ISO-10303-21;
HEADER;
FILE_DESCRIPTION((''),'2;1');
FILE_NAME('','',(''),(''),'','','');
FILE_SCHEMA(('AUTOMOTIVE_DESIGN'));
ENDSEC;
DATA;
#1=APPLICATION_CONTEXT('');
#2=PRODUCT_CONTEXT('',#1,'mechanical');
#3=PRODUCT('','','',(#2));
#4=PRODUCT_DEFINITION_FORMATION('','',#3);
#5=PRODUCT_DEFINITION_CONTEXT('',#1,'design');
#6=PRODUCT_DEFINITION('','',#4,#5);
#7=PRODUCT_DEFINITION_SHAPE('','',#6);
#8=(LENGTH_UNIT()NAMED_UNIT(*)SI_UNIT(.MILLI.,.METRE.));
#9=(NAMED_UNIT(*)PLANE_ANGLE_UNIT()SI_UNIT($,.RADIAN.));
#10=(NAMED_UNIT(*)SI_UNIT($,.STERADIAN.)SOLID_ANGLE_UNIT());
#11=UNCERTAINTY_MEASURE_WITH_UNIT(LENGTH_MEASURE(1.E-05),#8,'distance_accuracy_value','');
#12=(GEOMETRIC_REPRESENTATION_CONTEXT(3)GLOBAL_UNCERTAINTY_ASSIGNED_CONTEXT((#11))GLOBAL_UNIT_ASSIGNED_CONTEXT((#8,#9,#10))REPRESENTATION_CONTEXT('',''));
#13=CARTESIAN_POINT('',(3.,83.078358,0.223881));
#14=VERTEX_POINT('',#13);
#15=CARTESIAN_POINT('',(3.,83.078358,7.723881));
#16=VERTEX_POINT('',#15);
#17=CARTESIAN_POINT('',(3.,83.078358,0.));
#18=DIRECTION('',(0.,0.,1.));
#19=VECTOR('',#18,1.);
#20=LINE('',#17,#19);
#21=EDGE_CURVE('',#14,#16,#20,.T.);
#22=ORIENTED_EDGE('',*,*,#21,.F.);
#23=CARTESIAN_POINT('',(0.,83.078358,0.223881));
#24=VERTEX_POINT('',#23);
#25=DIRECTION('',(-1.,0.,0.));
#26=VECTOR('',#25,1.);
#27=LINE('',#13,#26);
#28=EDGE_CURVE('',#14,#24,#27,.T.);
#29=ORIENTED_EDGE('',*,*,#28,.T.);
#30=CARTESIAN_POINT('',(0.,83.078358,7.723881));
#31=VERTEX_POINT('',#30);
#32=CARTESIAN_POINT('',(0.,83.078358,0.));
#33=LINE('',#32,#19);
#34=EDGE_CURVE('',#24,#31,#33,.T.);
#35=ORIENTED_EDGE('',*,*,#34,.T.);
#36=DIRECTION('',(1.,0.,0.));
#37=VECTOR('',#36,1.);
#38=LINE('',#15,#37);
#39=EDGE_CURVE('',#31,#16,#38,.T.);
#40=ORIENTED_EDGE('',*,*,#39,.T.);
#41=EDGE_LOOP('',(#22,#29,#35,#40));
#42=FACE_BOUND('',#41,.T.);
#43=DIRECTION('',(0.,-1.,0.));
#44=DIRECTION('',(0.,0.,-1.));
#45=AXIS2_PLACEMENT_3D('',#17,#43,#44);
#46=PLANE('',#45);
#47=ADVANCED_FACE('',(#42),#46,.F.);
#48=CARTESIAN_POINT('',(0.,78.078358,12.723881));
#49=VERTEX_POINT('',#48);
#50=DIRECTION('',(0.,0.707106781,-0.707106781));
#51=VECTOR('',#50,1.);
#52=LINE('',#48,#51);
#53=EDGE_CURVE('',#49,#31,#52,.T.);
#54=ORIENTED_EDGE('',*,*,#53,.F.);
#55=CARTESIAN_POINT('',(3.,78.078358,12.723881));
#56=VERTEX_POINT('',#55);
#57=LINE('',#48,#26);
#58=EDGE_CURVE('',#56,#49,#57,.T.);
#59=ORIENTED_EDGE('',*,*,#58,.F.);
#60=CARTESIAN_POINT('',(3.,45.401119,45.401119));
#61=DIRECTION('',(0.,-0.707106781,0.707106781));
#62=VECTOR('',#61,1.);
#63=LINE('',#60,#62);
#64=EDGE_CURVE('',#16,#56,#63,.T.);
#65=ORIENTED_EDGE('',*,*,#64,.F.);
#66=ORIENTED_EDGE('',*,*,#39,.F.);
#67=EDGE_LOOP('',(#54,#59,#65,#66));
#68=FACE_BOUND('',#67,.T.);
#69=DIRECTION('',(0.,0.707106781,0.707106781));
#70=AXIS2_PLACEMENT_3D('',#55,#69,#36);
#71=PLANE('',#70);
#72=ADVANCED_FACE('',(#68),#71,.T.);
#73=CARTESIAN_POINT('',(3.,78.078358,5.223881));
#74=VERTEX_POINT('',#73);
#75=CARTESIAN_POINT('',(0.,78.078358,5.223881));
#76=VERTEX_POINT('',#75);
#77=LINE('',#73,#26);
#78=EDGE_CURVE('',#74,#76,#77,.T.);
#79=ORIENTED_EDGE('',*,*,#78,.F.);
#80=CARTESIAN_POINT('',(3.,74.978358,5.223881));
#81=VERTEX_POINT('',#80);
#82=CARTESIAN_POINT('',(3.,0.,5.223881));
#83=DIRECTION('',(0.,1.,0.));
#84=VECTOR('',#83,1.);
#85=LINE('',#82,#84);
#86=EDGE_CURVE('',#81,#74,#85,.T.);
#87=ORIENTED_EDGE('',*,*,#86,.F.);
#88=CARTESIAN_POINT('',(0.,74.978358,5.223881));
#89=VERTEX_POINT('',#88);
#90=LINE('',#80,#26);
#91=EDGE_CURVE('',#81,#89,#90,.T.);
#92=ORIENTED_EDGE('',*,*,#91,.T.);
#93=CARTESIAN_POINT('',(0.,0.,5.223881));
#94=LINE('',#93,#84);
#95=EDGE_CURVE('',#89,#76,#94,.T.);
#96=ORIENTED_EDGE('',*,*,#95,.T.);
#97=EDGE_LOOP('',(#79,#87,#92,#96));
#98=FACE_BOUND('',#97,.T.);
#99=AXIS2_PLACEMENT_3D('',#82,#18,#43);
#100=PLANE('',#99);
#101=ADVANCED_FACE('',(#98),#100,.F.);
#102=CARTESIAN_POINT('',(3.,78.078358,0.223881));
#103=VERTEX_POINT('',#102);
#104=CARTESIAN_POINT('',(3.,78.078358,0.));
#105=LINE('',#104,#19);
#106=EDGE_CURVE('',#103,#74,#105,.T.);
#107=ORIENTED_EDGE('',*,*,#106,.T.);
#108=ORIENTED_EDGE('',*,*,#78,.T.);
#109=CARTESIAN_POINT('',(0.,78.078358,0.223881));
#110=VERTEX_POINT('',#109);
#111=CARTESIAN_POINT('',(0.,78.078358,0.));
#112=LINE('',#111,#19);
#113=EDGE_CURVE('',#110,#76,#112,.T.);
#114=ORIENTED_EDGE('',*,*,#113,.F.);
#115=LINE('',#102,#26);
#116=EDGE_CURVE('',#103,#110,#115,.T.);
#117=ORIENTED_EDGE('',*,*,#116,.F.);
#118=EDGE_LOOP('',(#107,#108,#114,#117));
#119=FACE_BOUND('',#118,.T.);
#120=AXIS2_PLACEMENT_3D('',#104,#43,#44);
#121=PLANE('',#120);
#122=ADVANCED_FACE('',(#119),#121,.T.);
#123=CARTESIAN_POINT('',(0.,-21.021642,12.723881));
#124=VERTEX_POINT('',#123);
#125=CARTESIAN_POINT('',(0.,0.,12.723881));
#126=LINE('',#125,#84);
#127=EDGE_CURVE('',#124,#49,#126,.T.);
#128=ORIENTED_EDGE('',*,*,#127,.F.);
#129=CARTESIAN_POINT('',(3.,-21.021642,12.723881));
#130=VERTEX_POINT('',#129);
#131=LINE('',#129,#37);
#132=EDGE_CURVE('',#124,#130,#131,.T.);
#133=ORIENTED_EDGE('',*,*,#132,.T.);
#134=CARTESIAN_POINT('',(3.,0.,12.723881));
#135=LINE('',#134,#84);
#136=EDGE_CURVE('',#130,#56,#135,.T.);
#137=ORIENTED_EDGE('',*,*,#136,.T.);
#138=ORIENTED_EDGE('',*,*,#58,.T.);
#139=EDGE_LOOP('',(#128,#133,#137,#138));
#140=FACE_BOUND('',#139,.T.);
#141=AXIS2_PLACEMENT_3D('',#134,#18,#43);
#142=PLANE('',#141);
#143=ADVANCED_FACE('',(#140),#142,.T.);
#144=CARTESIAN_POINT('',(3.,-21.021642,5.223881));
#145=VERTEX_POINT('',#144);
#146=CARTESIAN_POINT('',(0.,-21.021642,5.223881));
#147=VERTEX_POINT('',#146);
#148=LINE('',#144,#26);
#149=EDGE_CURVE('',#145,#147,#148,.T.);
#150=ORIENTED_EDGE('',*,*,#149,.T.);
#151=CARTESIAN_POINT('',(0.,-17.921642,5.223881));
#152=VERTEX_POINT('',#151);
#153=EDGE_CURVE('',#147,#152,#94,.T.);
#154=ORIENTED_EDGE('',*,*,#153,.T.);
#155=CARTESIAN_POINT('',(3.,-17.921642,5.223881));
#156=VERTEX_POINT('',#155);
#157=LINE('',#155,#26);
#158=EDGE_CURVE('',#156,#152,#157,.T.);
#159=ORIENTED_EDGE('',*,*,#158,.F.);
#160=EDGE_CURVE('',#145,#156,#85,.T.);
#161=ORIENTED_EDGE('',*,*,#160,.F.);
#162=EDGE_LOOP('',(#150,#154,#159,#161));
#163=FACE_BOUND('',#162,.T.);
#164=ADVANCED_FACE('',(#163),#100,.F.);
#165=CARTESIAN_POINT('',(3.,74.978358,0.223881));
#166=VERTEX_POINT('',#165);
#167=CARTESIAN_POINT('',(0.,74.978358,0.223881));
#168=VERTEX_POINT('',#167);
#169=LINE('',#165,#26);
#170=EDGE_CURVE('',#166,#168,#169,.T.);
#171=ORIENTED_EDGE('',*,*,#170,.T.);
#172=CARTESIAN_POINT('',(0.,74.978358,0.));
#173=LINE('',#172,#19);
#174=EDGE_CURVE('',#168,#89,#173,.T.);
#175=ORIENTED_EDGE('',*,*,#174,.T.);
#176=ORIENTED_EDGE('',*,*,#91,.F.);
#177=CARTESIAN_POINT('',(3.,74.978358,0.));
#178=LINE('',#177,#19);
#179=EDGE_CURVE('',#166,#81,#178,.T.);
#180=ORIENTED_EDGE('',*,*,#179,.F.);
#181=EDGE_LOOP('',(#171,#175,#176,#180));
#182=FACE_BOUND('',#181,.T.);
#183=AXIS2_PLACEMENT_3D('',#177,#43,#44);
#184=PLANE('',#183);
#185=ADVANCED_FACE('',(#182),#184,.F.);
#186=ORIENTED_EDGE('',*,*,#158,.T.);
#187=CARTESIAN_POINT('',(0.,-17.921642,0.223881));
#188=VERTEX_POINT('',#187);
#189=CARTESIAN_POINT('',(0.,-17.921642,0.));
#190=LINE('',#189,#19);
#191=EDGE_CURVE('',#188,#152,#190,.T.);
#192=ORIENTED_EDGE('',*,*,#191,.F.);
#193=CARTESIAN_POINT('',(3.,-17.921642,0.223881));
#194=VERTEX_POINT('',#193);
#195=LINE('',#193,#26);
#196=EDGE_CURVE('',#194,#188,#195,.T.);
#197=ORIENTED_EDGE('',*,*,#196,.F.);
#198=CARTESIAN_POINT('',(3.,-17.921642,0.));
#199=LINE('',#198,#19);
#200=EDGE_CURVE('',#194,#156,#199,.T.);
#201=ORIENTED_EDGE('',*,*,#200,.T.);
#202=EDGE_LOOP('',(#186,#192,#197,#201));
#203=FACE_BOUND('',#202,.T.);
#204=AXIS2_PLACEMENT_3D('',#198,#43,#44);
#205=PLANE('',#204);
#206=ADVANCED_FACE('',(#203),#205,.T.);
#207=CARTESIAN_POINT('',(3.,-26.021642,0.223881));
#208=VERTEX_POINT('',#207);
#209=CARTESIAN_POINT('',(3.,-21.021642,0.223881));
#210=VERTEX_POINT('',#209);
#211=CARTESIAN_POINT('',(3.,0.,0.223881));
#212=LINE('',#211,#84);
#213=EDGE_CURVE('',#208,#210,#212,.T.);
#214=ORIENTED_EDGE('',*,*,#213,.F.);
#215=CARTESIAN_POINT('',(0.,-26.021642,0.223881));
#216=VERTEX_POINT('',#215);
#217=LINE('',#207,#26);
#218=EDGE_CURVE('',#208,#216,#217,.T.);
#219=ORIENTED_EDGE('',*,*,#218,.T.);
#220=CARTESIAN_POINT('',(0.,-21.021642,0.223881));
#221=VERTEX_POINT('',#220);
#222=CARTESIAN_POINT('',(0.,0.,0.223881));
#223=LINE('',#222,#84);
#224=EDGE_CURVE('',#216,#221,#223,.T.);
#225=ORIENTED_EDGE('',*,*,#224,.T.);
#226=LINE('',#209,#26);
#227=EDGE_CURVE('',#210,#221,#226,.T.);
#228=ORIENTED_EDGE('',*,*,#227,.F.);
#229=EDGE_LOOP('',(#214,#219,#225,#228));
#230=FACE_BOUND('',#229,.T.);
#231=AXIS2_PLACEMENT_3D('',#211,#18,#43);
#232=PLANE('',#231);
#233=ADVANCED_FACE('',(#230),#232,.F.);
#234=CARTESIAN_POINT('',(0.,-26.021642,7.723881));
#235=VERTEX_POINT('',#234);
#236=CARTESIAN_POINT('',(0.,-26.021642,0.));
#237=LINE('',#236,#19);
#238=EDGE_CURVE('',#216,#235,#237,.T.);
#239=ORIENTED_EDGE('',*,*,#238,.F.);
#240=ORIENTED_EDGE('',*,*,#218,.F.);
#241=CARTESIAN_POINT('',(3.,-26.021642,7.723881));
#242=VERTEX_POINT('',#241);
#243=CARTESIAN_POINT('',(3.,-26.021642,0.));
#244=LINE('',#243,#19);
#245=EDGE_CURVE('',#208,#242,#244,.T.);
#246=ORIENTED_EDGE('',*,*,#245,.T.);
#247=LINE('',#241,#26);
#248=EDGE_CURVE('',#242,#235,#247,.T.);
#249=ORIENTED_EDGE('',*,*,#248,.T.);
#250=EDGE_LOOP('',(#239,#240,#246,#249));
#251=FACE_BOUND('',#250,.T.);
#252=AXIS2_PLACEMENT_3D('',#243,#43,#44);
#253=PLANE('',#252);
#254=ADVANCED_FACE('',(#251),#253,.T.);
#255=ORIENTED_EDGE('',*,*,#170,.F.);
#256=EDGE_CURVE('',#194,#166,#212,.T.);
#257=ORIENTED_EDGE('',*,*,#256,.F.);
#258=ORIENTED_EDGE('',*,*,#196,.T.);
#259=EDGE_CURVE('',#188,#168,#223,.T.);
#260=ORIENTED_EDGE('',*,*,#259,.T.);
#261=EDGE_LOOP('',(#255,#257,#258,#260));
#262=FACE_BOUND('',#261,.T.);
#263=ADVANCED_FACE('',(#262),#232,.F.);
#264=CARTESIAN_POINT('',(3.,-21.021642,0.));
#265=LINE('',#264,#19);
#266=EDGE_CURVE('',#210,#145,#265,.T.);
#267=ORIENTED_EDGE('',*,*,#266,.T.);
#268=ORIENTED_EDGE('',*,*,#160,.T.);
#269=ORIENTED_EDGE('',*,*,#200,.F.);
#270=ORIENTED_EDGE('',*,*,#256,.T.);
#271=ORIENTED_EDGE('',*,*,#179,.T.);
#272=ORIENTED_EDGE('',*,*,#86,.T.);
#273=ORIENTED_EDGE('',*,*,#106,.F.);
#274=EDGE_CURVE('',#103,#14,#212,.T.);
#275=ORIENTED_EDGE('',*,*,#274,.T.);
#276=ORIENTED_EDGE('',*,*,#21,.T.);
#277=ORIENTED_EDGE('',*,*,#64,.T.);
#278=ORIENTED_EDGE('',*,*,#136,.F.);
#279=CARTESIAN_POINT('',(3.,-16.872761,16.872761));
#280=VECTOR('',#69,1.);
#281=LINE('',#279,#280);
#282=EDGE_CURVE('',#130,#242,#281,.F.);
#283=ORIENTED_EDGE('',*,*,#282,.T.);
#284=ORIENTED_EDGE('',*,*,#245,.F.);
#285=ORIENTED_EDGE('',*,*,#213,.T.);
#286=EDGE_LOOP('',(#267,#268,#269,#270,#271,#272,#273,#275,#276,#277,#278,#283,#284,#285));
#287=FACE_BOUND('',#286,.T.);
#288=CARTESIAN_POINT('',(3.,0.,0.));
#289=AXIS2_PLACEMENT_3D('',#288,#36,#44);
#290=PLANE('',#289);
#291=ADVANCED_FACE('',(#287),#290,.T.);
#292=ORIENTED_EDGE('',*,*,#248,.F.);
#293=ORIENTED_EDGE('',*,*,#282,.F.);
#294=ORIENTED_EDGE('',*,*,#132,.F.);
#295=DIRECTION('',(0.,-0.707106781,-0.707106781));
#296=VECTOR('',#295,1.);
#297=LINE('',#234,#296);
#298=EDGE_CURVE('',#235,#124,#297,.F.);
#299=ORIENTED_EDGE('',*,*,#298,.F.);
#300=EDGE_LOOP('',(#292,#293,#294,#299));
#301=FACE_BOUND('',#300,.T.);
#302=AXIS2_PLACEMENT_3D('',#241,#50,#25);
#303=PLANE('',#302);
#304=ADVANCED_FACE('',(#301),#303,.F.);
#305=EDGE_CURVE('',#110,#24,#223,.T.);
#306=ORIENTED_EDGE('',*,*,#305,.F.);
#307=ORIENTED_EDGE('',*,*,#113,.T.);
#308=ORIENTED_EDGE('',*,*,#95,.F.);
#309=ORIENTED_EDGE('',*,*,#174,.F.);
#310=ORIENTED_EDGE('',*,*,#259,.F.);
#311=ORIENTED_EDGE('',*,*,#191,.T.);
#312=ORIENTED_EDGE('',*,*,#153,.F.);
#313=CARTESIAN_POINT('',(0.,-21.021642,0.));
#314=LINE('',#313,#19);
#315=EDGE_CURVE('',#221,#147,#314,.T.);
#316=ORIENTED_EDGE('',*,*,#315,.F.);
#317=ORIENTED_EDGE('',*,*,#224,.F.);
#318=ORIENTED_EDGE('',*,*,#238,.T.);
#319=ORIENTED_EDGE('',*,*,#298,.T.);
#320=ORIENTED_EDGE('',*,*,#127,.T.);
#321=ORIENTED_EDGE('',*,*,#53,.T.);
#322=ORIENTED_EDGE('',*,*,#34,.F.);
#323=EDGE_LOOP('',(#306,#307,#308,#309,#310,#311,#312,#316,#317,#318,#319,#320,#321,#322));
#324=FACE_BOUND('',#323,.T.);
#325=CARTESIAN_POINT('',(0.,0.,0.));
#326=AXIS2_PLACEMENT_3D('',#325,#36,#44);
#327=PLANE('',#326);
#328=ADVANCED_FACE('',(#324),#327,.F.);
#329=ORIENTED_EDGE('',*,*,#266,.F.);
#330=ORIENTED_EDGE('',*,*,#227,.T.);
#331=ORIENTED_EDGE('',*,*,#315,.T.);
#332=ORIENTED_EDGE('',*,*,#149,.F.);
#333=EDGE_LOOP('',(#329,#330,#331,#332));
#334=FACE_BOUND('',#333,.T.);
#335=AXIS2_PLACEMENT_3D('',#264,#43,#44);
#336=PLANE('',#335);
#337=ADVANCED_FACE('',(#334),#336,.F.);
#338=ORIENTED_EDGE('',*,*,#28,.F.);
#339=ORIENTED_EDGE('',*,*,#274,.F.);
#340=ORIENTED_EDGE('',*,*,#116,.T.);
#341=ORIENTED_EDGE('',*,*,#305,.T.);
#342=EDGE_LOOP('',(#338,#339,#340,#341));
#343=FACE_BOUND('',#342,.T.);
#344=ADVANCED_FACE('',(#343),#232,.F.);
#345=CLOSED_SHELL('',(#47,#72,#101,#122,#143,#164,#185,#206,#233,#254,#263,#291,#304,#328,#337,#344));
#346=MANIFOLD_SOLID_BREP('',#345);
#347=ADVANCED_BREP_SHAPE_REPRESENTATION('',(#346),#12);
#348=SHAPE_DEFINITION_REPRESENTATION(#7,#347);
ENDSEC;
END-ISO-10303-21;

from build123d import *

# Parameters (mm, degrees)
SKETCH1_W           = 46.45
SKETCH1_H           = 5
BOSS_EXTRUDE1_DEPTH = 3
CHAMFER1_SIZE       = 5


with BuildPart() as part:
    # Sketch1 → Boss-Extrude1 (new body)
    with BuildSketch(Plane.YZ):
        Polygon((-21.021641791, 5.223880597), (-17.921641791, 5.223880597), (28.528358209, 5.223880597), (74.978358209, 5.223880597), (78.078358209, 5.223880597), (78.078358209, 0.223880597), (83.078358209, 0.223880597), (83.078358209, 12.723880597), (-26.021641791, 12.723880597), (-26.021641791, 0.223880597), (-21.021641791, 0.223880597), align=None)
        with Locations((5.303358209, 2.723880597)):
            Rectangle(SKETCH1_W, SKETCH1_H)
        with Locations((51.753358209, 2.723880597)):
            Rectangle(SKETCH1_W, SKETCH1_H)
    extrude(amount=BOSS_EXTRUDE1_DEPTH)

    # Chamfer1
    chamfer1_edges = [part.edges().sort_by_distance(p)[0] for p in [
        (1.5, -26.021641791, 12.723880597),
        (1.5, 83.078358209, 12.723880597),
    ]]
    chamfer(chamfer1_edges, length=CHAMFER1_SIZE)


solid = part.part
